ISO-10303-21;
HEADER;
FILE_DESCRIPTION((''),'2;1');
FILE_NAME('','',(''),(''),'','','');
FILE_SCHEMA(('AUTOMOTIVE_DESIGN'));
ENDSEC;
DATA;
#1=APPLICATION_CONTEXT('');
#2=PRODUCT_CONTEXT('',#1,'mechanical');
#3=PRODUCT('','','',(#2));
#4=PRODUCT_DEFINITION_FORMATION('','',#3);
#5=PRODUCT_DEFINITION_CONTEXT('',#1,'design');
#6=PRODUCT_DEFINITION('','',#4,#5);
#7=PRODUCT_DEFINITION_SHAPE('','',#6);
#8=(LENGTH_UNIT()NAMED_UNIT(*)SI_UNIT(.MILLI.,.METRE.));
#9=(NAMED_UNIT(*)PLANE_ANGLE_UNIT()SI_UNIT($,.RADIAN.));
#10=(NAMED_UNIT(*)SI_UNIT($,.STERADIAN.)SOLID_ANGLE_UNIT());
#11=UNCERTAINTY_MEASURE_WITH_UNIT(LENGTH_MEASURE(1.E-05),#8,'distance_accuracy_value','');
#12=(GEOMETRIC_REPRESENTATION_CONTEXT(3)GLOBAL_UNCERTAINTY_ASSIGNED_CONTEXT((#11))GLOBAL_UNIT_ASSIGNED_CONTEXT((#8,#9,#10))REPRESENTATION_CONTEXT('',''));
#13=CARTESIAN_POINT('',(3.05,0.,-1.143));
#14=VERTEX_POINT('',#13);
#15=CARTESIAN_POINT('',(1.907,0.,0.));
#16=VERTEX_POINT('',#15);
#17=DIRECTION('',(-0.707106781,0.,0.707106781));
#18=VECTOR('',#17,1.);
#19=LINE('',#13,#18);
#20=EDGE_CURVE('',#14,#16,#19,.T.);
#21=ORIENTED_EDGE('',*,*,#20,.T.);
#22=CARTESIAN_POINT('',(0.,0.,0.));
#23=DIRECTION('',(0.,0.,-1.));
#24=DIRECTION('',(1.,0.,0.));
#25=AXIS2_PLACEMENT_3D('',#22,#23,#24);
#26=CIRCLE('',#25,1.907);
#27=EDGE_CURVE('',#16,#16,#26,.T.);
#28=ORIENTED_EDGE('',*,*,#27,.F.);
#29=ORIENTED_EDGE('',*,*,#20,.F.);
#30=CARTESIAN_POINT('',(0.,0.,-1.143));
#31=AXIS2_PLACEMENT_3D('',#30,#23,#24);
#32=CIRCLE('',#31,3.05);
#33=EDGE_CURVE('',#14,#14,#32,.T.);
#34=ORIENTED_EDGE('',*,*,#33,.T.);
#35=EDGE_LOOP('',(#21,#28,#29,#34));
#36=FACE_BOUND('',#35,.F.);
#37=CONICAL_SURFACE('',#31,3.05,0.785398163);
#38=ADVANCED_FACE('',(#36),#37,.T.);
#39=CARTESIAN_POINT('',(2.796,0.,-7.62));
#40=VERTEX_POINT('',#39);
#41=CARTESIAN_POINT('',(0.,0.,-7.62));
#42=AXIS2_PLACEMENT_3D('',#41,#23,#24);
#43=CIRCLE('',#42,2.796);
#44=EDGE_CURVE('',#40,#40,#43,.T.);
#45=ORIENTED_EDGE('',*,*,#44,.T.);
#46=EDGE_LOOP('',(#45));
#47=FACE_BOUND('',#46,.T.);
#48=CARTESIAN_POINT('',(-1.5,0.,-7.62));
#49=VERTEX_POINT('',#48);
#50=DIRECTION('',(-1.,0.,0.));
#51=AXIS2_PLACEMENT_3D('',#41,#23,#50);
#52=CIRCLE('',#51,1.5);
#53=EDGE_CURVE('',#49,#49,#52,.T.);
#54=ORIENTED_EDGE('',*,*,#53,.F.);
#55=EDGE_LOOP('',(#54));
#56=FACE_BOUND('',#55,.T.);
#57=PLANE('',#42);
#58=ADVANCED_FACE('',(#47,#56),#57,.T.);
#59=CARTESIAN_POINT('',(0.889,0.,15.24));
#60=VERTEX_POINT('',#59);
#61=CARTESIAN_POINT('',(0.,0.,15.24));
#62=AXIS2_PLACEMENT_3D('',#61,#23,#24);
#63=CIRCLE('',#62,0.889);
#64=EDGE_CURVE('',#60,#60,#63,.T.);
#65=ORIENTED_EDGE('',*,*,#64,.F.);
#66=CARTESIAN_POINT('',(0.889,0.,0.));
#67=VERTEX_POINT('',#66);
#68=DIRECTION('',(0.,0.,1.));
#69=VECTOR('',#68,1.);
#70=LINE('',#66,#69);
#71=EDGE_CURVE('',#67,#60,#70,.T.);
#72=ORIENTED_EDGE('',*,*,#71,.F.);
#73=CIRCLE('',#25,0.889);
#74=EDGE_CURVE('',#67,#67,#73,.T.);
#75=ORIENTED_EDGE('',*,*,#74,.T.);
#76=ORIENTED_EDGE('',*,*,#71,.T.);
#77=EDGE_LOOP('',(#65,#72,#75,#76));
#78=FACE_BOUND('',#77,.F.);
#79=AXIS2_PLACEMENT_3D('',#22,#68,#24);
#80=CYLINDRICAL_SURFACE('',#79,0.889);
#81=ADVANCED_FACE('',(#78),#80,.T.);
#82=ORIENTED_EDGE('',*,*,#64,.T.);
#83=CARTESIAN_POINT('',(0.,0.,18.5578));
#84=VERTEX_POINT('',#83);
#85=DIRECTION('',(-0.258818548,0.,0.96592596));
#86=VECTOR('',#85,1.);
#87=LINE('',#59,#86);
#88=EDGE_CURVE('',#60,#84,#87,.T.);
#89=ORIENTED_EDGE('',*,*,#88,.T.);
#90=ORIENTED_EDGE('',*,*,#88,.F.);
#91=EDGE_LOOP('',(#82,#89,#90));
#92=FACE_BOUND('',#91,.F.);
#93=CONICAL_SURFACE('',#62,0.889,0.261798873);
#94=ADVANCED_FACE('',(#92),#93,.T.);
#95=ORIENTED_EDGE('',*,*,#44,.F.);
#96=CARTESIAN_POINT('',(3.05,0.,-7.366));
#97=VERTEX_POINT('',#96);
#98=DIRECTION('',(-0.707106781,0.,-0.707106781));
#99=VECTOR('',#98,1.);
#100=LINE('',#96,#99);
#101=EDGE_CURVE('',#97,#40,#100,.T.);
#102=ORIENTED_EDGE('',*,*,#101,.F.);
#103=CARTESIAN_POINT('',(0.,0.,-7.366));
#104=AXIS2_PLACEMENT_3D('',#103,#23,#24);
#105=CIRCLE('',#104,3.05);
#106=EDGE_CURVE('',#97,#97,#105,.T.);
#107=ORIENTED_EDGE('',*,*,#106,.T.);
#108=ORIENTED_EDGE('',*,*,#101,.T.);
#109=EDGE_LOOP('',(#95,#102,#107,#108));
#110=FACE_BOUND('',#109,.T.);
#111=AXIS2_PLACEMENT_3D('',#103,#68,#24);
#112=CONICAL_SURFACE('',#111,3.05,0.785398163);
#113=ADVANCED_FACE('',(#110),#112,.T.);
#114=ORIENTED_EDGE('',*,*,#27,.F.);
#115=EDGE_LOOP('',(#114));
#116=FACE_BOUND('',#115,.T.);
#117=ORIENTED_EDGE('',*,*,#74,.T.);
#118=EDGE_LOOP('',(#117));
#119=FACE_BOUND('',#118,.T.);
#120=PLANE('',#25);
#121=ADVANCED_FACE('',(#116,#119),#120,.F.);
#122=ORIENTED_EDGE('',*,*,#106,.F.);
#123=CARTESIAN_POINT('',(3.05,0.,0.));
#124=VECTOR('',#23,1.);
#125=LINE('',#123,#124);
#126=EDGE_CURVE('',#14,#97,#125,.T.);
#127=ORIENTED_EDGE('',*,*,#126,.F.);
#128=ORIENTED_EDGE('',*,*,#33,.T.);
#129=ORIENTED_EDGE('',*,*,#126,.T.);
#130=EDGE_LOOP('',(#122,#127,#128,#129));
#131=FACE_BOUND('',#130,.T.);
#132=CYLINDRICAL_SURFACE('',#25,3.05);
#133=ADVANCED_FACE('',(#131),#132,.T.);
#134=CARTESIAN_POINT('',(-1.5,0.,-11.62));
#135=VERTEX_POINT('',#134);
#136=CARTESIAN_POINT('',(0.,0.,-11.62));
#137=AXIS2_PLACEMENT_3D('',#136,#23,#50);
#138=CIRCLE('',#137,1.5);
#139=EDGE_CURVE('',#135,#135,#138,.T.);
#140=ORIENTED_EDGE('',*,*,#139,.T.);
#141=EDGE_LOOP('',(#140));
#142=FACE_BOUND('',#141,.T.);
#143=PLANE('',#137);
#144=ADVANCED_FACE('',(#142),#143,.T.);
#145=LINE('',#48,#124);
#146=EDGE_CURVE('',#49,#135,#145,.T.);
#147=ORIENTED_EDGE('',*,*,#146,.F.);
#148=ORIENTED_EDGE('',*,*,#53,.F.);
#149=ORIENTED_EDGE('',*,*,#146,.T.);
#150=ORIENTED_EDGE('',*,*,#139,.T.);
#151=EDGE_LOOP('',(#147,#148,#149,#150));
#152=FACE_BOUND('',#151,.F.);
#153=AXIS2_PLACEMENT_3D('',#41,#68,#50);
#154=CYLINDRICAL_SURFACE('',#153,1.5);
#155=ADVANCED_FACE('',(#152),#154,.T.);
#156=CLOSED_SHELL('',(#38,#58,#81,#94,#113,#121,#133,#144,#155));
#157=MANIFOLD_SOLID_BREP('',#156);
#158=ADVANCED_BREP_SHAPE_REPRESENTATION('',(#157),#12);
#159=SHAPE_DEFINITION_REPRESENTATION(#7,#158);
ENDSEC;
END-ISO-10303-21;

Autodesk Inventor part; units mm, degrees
ref_plane "YZ Plane" through (0, 0, 0) normal (1, 0, 0) x (0, 1, 0)
ref_plane "XZ Plane" through (0, 0, 0) normal (0, 1, 0) x (-1, 0, 0)
ref_plane "XY Plane" through (0, 0, 0) normal (0, 0, 1) x (1, 0, 0)
sketch "Sketch1" plane through (0, 0, 0) normal (0, 1, 0) x (-1, 0, 0)
  line L0 (0, 0) -> (-3.05, 0)
  line L1 (-3.05, 0) -> (-3.05, -7.62)
  line L2 (-3.05, -7.62) -> (0, -7.62)
  line L3 (0, -7.62) -> (0, 0)
  line L4 (0, 0) -> (-0.889, 0)
  line L5 (-0.889, 0) -> (-0.889, 15.24)
  line L6 (-0.889, 15.24) -> (0, 15.24)
  line L7 (0, 15.24) -> (0, 0)
  line L8 (-0.889, 15.24) -> (0, 18.5578)
  line L9 (-0.889, 15.24) -> (2.5458, 15.24) construction
  line L10 (0, 18.5578) -> (0, 15.24)
  dimension "d0" = 3.05
  dimension "d1" = 7.62
  dimension "d2" = 0.889
  dimension "d3" = 15.24
  dimension "d13" = 75
  dimension "d14" = 15
  dimension "d15" = 18.5578
  dimension "d16" = 26.1778
revolve "Revolution1" add sketch "Sketch1" angle 360 about axis through (0, 0, 15.24) along (0, 0, -1)
sketch "Sketch2" plane through (0, 0, -7.62) normal (0, 0, -1) x (-1, 0, 0)
  circle A0 centre (0, 0) radius 3.05 projected
  circle A1 centre (0, 0) radius 1.5
  dimension "d5" = 3
extrude "Extrusion1" add sketch "Sketch2" along normal blind 4 contours A1
chamfer "Chamfer1" distance 1.143 angle 45 1 edges at (-3.05, 0, 0)
chamfer "Chamfer2" distance 0.254 angle 45 1 edges at (-3.05, 0, -7.62)
thread "Thread1" size "M3x0.5" class "6g" standard "ANSI Metric M Profile" full length
properties part number "carbide_probe_30deg_tip_r01" material "Steel, High Strength, Low Alloy"
